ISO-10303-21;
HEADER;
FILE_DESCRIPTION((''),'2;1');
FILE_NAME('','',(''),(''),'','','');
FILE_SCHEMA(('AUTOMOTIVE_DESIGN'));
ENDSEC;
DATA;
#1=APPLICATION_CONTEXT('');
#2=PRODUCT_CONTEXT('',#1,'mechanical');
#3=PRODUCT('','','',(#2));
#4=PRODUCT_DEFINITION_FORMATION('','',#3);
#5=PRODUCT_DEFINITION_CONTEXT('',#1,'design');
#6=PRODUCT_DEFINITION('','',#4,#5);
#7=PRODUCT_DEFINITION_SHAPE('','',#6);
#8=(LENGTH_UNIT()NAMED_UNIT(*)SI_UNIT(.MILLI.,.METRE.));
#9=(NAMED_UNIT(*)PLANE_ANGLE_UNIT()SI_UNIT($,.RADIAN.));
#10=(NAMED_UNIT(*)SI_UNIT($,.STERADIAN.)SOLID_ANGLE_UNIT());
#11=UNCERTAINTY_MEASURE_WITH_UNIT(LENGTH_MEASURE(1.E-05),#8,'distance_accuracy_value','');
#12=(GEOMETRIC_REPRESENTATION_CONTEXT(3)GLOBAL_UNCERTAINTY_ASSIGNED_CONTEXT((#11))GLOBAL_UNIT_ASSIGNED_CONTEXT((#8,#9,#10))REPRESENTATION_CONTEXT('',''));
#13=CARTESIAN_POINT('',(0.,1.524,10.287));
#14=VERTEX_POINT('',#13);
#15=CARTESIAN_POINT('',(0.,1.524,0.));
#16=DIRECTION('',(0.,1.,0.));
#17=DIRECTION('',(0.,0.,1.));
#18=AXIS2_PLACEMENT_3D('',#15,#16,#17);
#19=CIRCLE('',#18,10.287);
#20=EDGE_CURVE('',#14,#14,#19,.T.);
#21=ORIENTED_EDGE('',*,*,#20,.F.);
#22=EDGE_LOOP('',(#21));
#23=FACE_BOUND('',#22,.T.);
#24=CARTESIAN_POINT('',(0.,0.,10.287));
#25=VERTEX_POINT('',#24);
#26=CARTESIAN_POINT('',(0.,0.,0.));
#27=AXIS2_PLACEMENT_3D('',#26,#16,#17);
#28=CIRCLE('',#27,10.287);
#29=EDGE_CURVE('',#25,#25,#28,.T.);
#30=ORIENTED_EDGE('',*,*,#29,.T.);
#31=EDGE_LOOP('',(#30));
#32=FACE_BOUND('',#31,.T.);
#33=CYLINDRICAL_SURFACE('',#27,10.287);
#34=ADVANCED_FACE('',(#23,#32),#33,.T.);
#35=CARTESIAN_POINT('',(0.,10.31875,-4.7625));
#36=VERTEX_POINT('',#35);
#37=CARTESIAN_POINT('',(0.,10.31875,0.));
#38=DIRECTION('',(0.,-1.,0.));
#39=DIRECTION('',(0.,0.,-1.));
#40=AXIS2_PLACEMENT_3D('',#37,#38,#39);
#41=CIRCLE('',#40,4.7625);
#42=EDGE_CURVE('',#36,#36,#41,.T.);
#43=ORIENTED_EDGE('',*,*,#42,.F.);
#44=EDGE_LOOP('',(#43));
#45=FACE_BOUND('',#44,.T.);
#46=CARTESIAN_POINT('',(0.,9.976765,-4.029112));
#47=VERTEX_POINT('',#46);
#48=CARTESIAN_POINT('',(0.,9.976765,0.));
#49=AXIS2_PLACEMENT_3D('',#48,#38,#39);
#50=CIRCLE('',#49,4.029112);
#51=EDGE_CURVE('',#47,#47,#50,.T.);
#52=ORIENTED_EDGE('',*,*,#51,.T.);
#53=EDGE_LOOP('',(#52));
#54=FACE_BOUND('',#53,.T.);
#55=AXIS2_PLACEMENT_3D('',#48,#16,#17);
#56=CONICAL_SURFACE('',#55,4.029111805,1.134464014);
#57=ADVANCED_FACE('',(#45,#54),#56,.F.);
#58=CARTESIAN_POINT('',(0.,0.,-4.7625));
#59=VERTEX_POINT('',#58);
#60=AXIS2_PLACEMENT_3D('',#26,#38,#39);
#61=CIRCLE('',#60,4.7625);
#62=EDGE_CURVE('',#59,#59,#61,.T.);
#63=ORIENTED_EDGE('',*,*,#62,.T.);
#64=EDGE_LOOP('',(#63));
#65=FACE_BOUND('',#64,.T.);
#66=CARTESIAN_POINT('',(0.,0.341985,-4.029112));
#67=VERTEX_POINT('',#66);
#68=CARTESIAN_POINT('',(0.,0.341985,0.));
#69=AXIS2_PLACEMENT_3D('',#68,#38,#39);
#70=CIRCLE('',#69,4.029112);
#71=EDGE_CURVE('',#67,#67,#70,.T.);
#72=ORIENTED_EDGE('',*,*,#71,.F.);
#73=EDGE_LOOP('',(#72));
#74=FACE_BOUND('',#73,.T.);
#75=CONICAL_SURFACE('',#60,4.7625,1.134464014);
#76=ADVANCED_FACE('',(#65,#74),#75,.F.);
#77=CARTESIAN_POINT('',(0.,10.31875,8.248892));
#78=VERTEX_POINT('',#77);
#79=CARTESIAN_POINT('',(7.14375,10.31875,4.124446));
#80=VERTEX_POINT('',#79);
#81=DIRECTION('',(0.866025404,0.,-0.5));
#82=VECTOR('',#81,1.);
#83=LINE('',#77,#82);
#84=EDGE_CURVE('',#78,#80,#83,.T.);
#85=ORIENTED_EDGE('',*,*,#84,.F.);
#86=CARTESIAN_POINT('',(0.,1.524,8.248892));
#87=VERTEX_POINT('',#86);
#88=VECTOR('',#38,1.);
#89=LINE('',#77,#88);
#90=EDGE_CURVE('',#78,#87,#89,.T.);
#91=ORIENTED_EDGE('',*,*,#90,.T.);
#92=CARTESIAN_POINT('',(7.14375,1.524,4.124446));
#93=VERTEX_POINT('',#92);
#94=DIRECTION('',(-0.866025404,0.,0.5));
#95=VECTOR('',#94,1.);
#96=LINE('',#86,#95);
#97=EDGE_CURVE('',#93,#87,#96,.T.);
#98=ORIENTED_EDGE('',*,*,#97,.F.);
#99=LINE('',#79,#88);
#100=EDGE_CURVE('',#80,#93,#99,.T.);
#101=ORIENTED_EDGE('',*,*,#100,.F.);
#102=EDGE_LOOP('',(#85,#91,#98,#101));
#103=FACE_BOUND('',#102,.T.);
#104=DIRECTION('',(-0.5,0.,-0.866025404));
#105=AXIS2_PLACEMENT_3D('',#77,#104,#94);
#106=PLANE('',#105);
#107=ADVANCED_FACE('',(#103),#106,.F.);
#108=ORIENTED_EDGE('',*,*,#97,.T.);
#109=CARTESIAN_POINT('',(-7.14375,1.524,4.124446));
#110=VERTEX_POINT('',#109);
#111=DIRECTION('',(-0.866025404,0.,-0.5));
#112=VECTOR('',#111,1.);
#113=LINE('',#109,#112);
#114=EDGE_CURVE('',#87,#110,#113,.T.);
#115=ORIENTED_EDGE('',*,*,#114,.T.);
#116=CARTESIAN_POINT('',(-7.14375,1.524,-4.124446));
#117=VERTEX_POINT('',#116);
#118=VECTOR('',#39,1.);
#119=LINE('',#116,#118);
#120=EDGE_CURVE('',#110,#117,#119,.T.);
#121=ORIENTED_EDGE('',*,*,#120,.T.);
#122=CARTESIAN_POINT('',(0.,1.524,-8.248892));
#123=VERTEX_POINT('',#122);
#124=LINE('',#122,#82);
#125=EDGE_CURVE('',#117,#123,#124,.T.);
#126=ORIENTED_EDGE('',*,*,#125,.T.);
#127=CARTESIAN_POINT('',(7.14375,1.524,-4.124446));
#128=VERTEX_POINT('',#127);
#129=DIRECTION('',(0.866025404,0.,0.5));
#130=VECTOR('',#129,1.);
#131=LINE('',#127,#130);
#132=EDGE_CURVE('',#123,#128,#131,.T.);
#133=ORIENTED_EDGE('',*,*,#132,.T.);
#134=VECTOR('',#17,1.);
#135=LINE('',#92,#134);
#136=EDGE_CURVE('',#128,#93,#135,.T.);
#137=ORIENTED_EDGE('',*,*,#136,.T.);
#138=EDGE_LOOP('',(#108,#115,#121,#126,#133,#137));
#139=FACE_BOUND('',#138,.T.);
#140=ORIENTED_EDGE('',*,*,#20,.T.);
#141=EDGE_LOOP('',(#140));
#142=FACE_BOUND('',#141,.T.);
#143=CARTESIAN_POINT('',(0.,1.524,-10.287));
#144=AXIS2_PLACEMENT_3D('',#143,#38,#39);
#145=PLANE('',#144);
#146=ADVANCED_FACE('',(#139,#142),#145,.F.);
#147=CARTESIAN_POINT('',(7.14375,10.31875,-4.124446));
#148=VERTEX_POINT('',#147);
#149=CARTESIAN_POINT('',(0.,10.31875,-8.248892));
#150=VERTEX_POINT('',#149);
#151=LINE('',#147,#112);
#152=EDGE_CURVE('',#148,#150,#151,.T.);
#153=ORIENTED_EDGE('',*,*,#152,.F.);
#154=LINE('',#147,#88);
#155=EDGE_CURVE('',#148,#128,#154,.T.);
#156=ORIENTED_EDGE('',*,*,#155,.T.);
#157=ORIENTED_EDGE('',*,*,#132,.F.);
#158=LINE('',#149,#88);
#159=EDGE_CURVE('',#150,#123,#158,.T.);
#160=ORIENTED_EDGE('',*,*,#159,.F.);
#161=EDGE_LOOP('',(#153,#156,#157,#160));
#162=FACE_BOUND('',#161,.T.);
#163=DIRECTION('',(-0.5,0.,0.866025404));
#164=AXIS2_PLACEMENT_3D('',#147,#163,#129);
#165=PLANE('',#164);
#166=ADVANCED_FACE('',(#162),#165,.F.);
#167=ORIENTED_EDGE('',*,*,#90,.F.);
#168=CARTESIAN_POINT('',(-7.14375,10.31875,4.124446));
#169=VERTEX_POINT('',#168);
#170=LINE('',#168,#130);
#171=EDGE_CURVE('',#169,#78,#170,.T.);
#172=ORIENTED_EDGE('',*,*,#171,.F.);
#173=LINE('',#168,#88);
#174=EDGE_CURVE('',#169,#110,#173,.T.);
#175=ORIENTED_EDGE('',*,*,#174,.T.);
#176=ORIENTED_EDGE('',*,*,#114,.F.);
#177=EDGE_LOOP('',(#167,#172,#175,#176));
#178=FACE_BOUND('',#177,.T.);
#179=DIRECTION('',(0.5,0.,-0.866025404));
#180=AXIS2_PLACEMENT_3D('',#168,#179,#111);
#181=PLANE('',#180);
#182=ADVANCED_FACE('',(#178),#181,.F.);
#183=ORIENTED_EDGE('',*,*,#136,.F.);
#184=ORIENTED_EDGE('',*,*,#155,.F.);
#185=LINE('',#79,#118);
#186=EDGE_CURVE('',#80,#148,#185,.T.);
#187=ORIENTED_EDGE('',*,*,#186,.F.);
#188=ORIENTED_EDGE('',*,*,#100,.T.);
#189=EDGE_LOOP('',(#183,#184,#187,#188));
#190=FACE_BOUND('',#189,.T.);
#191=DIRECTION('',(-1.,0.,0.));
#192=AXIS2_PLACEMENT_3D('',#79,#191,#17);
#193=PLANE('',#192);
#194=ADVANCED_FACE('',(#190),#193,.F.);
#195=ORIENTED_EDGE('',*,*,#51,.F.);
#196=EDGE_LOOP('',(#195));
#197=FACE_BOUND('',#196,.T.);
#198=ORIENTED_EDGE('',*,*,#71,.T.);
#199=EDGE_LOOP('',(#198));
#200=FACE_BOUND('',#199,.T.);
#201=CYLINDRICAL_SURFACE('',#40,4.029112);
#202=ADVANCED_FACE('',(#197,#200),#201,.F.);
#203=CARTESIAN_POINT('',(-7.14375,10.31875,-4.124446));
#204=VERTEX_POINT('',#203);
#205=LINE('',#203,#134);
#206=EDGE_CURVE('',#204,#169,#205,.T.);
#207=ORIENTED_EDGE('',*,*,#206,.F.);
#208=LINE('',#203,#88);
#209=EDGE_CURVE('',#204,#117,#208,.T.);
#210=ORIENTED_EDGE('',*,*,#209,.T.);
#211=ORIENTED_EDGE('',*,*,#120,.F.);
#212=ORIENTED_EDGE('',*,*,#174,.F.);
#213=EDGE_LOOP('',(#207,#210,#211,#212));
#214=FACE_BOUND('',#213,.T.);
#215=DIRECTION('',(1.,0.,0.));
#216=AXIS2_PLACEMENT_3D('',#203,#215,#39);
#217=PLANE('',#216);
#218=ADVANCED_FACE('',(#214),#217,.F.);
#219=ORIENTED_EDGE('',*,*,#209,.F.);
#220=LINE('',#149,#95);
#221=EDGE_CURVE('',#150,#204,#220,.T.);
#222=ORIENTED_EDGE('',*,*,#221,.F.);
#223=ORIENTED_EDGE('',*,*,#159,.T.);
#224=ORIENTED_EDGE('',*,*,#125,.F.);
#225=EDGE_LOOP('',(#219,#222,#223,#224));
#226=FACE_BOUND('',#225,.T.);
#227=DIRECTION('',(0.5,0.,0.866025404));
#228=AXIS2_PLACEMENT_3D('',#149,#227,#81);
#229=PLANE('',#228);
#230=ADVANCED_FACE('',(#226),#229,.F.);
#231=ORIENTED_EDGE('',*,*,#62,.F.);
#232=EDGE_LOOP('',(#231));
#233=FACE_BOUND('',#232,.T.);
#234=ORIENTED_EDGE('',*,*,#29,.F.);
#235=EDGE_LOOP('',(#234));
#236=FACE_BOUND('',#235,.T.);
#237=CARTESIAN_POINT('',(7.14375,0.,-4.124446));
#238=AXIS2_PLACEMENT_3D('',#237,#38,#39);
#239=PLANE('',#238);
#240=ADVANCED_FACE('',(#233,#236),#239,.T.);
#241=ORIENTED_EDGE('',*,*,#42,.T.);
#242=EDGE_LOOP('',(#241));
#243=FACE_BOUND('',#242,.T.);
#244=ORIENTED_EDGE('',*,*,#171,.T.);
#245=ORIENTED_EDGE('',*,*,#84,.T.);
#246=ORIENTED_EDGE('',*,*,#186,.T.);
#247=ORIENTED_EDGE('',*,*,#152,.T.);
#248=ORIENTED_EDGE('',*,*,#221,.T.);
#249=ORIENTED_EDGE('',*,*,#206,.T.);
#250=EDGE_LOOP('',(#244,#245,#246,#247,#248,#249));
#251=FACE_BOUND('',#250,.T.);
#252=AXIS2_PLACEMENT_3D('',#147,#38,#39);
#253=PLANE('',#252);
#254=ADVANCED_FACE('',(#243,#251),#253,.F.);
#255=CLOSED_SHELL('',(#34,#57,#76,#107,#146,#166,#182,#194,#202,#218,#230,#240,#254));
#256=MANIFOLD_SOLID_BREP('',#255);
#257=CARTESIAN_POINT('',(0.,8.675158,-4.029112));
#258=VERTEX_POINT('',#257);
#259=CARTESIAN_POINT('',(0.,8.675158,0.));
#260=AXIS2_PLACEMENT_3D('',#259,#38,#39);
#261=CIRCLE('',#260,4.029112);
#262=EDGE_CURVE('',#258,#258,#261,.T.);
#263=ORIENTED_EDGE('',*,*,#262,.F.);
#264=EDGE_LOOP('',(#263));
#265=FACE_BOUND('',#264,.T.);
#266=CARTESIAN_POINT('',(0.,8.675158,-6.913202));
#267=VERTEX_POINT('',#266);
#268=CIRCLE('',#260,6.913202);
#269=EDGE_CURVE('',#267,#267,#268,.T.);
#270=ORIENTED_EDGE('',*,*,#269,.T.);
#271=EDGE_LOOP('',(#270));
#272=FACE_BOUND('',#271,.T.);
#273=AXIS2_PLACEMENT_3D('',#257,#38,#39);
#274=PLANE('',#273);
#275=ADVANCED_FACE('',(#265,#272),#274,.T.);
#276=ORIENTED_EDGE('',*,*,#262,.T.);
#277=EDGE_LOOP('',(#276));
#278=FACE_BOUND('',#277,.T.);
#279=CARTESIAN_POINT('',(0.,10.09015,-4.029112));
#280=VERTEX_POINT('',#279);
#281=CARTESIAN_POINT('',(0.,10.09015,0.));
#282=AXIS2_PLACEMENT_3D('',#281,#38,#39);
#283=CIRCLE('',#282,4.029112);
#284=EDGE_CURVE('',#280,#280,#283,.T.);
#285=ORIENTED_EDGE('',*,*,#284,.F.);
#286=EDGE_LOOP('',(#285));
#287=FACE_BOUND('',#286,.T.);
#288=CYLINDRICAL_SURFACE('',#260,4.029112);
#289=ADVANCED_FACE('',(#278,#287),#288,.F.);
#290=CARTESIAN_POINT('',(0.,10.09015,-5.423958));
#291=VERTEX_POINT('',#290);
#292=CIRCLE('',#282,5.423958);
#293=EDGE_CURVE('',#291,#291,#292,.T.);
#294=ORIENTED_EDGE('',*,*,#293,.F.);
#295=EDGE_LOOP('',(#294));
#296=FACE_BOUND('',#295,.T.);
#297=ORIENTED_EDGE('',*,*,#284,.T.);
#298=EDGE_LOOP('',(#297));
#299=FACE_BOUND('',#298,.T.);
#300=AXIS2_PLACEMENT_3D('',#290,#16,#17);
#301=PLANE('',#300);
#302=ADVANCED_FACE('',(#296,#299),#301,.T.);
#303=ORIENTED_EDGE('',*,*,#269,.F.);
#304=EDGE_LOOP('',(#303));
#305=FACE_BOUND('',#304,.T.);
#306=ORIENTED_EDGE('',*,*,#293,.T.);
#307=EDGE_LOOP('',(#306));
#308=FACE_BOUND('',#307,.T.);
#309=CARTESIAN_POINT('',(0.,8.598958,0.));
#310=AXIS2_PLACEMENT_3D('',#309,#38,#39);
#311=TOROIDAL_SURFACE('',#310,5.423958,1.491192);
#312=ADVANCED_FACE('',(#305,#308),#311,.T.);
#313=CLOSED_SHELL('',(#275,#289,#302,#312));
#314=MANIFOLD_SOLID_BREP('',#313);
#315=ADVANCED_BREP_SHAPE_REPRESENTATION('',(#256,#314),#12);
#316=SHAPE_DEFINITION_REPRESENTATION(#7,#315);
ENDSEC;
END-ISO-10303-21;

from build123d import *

# Parameters (mm, degrees)
EXTRUDE1_DEPTH = 10.31875
SKETCH8_W      = 10.287
SKETCH8_H      = 1.524


with BuildPart() as part:
    # Sketch1 → Extrude1 (new body)
    with BuildSketch(Plane(origin=(0, 0, 0), x_dir=(1, 0, 0), z_dir=(0, 1, 0))):
        Polygon((0, 8.248891971), (-7.14375, 4.124445986), (-7.14375, -4.124445986), (0, -8.248891971), (7.14375, -4.124445986), (7.14375, 4.124445986), align=None)
    extrude(amount=EXTRUDE1_DEPTH)

    # Sketch8 → Revolve3 (revolve)
    with BuildSketch(Plane(origin=(0, 0, 0), x_dir=(0, 0, -1), z_dir=(1, 0, 0)), mode=Mode.PRIVATE) as revolve3_sk:
        with Locations((5.1435, 0.762)):
            Rectangle(SKETCH8_W, SKETCH8_H)
    revolve(revolve3_sk.sketch.rotate(Axis((0, 0, 0), (0, -1, 0)), 180), axis=Axis((0, 0, 0), (0, -1, 0)))

    # Sketch4 → Cut-Revolve2 (revolve, cut)
    with BuildSketch(Plane(origin=(0, 0, 0), x_dir=(0, 0, -1), z_dir=(1, 0, 0))):
        Polygon((0, 10.31875), (4.7625, 10.31875), (4.029111805, 9.976765468), (4.029111805, 0.341984532), (4.7625, 0), (0, 0), align=None)
    revolve(axis=Axis((0, 10.31875, 0), (0, 1, 0)), mode=Mode.SUBTRACT)


with BuildPart() as body_2:
    # Sketch7 → Revolve2 (revolve)
    with BuildSketch(Plane(origin=(0, 0, 0), x_dir=(0, 0, -1), z_dir=(1, 0, 0))):
        with BuildLine():
            Line((4.029111805, 8.675158333), (6.913201815, 8.675158333))
            ThreePointArc((6.913201815, 8.675158333), (6.451096051, 9.679995195), (5.423958333, 10.09015))
            Line((5.423958333, 10.09015), (4.029111805, 10.09015))
            Line((4.029111805, 10.09015), (4.029111805, 8.675158333))
        make_face()
    revolve(axis=Axis((0, 8.675158333, 0), (0, 1, 0)))


solid = Compound([part.part, body_2.part])
